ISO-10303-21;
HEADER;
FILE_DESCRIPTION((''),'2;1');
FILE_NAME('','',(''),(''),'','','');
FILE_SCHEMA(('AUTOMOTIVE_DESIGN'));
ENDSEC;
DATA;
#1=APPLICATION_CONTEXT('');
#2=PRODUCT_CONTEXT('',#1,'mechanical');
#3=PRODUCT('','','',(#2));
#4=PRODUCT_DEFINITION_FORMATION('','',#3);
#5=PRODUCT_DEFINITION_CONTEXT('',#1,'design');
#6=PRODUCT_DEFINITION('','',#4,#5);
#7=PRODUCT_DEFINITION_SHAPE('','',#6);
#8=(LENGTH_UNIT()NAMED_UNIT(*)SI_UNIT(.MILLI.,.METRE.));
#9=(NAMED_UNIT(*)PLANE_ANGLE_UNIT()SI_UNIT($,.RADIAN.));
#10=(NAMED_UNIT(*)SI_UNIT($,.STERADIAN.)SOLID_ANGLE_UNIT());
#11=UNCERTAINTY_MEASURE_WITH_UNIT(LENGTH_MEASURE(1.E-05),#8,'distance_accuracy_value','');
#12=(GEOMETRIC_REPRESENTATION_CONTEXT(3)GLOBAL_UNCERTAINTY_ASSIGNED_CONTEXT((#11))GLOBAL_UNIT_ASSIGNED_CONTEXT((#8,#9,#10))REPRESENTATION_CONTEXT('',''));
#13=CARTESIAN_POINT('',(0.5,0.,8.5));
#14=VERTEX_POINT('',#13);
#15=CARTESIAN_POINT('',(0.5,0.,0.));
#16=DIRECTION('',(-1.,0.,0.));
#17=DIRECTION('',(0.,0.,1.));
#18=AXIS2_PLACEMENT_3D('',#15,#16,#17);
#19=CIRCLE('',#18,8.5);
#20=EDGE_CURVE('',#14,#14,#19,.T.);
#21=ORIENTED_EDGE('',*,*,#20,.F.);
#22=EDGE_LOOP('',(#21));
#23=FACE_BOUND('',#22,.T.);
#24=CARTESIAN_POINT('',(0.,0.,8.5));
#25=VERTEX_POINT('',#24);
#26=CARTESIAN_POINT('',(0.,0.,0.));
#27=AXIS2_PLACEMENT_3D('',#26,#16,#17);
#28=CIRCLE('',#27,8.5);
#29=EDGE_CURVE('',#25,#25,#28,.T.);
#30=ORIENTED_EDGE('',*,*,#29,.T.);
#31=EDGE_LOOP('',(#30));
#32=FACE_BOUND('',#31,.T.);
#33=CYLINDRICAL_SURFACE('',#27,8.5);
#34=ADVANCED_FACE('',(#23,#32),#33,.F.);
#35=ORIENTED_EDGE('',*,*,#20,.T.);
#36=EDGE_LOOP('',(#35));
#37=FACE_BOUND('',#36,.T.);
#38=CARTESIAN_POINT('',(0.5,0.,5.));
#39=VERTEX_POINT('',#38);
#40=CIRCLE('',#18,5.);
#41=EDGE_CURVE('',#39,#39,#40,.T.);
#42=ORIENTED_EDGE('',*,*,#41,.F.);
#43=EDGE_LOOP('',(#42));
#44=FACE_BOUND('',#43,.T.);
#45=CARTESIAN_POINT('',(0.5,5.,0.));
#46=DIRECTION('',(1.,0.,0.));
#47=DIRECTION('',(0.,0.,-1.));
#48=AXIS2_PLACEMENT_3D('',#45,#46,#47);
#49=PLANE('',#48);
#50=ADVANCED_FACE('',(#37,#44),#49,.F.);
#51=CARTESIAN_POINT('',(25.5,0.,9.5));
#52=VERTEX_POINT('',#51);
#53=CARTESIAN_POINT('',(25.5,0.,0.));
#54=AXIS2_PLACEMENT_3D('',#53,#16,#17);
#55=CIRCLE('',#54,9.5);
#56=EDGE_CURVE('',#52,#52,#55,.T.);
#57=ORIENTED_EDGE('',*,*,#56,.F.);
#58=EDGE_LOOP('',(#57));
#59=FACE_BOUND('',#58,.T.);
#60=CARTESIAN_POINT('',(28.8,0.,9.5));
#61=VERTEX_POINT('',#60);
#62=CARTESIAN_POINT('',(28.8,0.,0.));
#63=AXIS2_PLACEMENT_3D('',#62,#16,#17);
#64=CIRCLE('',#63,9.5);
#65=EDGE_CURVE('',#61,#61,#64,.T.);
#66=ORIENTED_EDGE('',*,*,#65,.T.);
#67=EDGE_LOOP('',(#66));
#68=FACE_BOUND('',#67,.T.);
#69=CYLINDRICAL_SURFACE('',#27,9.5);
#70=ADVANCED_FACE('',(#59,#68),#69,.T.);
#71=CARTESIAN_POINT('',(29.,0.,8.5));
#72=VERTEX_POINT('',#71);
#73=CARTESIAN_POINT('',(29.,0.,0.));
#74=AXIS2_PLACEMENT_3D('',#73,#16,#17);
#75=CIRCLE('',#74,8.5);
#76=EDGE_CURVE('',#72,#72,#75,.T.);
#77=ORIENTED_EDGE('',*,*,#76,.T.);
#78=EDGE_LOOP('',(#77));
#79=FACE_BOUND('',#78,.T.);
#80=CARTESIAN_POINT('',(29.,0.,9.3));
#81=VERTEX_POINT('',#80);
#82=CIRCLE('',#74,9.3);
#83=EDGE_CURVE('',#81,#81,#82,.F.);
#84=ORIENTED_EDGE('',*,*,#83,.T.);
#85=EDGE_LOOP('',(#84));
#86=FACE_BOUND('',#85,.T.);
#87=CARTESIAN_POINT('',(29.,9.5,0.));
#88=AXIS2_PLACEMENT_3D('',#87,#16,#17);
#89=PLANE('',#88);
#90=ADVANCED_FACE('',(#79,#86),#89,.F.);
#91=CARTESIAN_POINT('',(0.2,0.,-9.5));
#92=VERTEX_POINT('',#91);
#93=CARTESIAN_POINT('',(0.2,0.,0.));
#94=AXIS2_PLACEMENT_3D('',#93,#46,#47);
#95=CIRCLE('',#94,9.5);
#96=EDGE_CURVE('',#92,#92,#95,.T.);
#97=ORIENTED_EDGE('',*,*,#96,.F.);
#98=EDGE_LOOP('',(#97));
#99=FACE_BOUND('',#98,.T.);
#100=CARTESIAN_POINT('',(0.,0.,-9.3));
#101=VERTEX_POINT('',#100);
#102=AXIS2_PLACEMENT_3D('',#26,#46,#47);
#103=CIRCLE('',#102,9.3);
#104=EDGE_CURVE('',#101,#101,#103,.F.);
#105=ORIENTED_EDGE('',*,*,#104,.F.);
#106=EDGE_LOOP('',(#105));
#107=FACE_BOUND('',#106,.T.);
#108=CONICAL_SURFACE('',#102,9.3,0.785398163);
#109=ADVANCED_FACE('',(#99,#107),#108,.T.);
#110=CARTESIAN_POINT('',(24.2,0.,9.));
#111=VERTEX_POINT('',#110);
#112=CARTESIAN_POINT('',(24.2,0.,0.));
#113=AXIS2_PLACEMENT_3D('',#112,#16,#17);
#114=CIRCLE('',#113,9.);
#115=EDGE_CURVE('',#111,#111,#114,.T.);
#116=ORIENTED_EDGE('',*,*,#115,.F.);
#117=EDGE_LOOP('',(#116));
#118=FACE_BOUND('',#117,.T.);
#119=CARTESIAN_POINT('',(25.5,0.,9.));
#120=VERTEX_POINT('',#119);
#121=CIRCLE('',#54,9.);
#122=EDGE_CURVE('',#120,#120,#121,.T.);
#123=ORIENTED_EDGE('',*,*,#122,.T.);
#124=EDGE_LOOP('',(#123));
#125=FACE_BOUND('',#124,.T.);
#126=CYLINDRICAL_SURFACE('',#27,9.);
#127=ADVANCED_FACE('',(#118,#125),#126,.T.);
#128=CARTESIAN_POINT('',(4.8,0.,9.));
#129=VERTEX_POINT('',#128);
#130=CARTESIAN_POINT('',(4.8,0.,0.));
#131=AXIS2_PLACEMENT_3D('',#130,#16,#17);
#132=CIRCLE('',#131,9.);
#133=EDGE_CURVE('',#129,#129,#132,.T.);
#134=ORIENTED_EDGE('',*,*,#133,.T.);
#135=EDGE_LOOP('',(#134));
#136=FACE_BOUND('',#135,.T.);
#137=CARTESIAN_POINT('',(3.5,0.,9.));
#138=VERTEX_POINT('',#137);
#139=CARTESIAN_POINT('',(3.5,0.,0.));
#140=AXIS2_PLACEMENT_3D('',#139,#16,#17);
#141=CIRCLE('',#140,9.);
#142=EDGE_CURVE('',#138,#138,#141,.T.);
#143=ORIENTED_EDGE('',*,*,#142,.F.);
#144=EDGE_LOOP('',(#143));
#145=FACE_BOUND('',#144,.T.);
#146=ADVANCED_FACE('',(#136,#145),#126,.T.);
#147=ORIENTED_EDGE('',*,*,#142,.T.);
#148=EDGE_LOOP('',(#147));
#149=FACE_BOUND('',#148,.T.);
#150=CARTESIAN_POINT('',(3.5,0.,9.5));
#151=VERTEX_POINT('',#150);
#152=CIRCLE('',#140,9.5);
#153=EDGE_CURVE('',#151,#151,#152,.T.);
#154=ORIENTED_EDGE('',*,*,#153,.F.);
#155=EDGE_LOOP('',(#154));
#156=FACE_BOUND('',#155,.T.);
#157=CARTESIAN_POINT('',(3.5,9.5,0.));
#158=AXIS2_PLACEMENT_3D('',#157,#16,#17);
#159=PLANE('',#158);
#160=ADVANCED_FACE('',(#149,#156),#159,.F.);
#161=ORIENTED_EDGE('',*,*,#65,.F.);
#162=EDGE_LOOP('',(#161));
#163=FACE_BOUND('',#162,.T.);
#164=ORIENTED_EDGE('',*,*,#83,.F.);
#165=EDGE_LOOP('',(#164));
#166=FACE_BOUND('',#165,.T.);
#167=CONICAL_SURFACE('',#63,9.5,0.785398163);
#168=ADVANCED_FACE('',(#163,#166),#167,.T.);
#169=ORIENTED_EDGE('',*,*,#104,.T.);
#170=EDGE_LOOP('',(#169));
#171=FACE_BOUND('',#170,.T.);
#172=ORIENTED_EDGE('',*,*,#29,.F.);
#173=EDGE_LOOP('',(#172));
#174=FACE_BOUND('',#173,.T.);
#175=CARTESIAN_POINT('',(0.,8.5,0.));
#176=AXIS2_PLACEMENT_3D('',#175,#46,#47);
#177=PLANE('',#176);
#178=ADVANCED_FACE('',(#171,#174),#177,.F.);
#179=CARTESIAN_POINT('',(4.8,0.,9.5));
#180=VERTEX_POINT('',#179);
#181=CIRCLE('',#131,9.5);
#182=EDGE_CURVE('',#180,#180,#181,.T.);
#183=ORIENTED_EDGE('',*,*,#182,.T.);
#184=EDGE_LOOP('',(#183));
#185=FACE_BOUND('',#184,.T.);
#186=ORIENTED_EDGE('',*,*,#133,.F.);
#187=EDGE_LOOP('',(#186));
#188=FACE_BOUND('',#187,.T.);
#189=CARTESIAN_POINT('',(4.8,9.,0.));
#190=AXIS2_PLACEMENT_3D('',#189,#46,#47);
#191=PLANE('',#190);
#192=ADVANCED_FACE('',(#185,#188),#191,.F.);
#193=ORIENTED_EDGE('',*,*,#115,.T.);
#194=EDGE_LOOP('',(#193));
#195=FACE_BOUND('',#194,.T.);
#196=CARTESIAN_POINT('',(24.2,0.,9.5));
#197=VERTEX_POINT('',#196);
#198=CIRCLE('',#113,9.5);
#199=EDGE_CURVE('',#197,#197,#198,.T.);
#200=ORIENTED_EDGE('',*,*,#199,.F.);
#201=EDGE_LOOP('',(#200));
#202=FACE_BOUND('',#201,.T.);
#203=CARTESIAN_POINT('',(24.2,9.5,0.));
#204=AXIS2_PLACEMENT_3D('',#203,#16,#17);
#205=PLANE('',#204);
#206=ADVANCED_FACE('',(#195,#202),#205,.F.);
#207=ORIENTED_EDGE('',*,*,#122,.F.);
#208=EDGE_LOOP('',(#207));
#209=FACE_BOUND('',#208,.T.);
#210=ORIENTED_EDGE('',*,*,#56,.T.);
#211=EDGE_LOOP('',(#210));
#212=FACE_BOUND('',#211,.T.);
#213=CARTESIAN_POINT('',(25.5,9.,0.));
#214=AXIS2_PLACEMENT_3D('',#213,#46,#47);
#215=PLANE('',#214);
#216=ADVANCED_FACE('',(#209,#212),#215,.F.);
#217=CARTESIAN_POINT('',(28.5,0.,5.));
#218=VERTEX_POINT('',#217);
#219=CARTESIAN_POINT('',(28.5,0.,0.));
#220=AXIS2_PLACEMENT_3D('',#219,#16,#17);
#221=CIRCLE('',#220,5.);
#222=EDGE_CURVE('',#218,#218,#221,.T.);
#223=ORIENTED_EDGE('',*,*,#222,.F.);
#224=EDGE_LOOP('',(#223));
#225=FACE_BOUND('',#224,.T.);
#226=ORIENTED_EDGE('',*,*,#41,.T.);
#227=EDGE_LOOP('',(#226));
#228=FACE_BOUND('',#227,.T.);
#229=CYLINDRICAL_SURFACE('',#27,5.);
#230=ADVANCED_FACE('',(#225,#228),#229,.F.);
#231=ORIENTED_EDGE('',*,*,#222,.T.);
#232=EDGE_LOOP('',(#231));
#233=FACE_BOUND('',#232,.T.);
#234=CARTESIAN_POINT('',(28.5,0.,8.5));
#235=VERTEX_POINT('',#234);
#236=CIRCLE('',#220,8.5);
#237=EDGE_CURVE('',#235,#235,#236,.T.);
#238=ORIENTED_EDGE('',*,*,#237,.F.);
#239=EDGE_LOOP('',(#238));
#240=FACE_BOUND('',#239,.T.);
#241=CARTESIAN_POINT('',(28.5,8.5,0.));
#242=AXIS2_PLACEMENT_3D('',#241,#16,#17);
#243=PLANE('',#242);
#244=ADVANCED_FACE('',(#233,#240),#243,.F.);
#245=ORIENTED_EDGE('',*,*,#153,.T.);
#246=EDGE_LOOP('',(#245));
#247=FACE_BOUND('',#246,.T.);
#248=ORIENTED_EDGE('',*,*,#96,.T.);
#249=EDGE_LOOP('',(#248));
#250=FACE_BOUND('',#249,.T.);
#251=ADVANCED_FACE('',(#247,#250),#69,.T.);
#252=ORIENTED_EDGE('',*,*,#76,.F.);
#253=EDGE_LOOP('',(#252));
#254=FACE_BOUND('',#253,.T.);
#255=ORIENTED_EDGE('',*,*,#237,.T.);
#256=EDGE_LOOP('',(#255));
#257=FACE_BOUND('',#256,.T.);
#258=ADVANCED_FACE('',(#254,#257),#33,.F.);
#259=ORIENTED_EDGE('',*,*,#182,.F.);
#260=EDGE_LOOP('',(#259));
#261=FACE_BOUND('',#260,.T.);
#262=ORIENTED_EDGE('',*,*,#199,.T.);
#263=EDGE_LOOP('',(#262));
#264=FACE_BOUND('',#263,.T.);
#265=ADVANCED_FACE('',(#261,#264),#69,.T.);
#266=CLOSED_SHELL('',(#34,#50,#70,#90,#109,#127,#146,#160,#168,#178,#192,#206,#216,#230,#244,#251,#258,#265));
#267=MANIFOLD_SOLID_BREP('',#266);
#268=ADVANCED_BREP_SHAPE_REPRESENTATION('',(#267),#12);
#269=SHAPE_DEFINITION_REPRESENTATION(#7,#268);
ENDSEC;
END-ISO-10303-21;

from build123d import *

# Parameters (mm, degrees)
CHAMFER1_SIZE = 0.2


with BuildPart() as part:
    # Sketch1 → Revolve1 (revolve)
    with BuildSketch(Plane.XY, mode=Mode.PRIVATE) as revolve1_sk:
        Polygon((0.5, 5), (0.5, 8.5), (0, 8.5), (0, 9.5), (3.5, 9.5), (3.5, 9), (4.8, 9), (4.8, 9.5), (24.2, 9.5), (24.2, 9), (25.5, 9), (25.5, 9.5), (29, 9.5), (29, 8.5), (28.5, 8.5), (28.5, 5), align=None)
    revolve(revolve1_sk.sketch.rotate(Axis((0, 0, 0), (1, 0, 0)), 90), axis=Axis((0, 0, 0), (1, 0, 0)))

    # Chamfer1
    chamfer1_edges = [part.edges().sort_by_distance(p)[0] for p in [
        (29, 0, -9.5),
        (0, 0, -9.5),
    ]]
    chamfer(chamfer1_edges, length=CHAMFER1_SIZE)


solid = part.part
